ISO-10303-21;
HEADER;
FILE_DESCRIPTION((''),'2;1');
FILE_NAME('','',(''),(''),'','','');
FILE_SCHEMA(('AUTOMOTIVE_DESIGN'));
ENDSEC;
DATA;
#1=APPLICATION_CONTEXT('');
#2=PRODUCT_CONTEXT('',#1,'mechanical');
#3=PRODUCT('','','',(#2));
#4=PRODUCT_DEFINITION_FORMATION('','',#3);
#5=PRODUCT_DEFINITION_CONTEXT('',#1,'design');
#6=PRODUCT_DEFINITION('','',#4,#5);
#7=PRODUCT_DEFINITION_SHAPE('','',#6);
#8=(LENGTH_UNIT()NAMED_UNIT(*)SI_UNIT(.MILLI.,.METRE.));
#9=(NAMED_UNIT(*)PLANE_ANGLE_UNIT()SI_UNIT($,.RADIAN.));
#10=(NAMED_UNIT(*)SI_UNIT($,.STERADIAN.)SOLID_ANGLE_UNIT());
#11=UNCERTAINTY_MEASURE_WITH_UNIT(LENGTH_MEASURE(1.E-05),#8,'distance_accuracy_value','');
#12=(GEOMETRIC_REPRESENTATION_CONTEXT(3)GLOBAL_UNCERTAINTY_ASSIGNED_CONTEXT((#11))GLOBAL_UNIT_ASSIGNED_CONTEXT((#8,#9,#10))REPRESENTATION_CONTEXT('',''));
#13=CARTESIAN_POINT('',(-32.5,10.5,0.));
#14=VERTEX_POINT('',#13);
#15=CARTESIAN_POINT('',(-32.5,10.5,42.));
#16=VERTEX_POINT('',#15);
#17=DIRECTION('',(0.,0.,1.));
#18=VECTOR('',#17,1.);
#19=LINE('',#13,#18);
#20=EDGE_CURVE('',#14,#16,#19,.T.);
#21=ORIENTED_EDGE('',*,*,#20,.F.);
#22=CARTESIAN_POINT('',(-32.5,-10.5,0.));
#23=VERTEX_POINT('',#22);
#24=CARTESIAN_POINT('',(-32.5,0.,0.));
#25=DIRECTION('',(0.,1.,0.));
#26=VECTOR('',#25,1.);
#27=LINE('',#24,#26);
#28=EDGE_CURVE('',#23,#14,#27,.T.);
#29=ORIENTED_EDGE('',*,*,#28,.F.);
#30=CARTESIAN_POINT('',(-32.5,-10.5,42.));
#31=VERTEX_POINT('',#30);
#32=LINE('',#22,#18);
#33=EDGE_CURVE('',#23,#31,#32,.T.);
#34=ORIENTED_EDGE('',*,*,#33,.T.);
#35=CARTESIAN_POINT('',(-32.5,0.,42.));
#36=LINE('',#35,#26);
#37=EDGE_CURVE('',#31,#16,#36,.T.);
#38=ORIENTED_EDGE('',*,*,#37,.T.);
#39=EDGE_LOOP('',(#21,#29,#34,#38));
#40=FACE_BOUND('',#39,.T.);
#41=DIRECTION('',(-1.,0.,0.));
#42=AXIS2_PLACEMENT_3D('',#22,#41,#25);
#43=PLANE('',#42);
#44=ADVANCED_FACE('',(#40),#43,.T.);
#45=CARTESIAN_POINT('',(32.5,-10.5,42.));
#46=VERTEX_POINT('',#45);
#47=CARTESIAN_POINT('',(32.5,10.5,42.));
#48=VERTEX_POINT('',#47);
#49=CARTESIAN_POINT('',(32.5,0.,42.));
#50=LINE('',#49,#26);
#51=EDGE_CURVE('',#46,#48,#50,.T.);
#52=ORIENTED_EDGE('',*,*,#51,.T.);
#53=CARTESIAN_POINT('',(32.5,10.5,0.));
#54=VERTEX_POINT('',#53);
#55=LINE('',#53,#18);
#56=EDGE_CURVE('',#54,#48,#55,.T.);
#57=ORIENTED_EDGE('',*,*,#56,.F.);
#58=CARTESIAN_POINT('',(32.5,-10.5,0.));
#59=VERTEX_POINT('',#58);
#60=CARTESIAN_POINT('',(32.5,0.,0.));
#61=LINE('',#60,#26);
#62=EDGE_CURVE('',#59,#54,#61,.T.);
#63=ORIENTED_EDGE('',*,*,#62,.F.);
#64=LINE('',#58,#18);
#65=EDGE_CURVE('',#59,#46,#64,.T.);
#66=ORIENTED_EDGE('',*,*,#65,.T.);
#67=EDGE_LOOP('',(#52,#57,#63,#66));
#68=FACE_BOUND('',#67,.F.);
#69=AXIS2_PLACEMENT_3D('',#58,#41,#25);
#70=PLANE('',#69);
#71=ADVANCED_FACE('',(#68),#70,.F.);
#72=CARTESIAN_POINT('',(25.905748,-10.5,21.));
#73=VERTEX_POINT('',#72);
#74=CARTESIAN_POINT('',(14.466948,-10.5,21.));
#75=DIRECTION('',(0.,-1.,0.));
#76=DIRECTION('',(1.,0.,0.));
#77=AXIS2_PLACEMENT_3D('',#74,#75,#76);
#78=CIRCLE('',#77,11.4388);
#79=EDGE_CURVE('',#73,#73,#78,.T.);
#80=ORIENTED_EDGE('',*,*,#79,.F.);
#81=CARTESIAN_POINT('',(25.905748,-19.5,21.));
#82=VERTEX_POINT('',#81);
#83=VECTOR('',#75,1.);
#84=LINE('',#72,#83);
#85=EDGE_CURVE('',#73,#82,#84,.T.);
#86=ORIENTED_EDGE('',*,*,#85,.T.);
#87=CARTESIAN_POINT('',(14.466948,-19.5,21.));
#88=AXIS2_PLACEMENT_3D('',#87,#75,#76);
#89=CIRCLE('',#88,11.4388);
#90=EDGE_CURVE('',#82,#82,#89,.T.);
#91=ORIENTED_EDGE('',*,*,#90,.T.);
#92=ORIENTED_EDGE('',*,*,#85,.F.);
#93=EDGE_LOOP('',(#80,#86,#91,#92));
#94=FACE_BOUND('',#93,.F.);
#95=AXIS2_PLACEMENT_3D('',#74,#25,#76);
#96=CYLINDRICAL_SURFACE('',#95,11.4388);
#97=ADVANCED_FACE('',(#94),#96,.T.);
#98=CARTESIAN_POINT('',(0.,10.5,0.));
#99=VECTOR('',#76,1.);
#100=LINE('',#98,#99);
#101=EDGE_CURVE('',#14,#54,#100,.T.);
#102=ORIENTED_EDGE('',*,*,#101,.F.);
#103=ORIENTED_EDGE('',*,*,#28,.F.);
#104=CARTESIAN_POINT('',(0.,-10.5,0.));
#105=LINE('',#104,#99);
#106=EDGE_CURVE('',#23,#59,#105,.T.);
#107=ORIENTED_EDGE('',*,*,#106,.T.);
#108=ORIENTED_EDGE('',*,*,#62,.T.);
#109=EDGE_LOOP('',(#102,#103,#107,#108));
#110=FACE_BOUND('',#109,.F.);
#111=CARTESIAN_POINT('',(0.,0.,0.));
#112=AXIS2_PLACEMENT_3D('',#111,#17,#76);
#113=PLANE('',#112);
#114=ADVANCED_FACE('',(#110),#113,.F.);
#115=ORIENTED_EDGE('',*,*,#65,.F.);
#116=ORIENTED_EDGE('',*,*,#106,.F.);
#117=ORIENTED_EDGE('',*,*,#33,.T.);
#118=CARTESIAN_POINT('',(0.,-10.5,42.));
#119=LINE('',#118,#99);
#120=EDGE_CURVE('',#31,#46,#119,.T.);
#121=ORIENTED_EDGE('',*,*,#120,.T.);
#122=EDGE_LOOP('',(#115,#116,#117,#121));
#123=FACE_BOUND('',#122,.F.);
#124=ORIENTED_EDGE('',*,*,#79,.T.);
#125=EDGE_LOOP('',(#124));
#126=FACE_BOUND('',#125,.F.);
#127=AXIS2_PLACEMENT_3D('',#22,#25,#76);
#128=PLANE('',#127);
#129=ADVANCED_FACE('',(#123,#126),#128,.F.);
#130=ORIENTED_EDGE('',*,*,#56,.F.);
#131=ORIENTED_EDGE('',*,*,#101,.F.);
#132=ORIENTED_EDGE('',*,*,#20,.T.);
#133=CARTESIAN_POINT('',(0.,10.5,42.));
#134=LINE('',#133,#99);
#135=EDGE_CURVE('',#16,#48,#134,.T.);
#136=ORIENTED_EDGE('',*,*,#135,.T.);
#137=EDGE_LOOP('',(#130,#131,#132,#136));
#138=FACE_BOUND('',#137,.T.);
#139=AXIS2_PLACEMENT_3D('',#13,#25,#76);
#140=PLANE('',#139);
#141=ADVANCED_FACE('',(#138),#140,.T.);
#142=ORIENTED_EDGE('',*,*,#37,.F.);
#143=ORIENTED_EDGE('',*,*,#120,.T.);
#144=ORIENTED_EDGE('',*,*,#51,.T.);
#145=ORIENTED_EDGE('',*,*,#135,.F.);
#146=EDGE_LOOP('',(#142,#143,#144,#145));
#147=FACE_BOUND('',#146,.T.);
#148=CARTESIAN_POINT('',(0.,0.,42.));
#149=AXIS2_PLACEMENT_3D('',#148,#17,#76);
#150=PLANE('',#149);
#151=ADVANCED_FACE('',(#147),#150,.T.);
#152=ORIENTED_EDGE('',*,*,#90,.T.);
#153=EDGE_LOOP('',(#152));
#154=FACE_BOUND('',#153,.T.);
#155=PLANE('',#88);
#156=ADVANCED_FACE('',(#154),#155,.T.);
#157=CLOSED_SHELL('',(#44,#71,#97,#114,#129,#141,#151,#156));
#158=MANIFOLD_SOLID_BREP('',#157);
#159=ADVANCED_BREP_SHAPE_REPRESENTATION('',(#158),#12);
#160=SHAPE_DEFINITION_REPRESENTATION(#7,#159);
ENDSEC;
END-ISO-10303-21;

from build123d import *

# Parameters (mm, degrees)
F0_W     = 65
F0_H     = 21
F1_DEPTH = 42
F2_R     = 11.4388
F3_DEPTH = 9


with BuildPart() as f1:
    # F0 (on Top) → F1 (new body)
    with BuildSketch(Plane.XY):
        Rectangle(F0_W, F0_H)
    extrude(amount=F1_DEPTH)

    # F2 (on face) → F3 (join)
    with BuildSketch(Plane.XZ.offset(10.5)):
        with Locations((14.466948, 21)):
            Circle(F2_R)
    extrude(amount=F3_DEPTH)


solid = f1.part
